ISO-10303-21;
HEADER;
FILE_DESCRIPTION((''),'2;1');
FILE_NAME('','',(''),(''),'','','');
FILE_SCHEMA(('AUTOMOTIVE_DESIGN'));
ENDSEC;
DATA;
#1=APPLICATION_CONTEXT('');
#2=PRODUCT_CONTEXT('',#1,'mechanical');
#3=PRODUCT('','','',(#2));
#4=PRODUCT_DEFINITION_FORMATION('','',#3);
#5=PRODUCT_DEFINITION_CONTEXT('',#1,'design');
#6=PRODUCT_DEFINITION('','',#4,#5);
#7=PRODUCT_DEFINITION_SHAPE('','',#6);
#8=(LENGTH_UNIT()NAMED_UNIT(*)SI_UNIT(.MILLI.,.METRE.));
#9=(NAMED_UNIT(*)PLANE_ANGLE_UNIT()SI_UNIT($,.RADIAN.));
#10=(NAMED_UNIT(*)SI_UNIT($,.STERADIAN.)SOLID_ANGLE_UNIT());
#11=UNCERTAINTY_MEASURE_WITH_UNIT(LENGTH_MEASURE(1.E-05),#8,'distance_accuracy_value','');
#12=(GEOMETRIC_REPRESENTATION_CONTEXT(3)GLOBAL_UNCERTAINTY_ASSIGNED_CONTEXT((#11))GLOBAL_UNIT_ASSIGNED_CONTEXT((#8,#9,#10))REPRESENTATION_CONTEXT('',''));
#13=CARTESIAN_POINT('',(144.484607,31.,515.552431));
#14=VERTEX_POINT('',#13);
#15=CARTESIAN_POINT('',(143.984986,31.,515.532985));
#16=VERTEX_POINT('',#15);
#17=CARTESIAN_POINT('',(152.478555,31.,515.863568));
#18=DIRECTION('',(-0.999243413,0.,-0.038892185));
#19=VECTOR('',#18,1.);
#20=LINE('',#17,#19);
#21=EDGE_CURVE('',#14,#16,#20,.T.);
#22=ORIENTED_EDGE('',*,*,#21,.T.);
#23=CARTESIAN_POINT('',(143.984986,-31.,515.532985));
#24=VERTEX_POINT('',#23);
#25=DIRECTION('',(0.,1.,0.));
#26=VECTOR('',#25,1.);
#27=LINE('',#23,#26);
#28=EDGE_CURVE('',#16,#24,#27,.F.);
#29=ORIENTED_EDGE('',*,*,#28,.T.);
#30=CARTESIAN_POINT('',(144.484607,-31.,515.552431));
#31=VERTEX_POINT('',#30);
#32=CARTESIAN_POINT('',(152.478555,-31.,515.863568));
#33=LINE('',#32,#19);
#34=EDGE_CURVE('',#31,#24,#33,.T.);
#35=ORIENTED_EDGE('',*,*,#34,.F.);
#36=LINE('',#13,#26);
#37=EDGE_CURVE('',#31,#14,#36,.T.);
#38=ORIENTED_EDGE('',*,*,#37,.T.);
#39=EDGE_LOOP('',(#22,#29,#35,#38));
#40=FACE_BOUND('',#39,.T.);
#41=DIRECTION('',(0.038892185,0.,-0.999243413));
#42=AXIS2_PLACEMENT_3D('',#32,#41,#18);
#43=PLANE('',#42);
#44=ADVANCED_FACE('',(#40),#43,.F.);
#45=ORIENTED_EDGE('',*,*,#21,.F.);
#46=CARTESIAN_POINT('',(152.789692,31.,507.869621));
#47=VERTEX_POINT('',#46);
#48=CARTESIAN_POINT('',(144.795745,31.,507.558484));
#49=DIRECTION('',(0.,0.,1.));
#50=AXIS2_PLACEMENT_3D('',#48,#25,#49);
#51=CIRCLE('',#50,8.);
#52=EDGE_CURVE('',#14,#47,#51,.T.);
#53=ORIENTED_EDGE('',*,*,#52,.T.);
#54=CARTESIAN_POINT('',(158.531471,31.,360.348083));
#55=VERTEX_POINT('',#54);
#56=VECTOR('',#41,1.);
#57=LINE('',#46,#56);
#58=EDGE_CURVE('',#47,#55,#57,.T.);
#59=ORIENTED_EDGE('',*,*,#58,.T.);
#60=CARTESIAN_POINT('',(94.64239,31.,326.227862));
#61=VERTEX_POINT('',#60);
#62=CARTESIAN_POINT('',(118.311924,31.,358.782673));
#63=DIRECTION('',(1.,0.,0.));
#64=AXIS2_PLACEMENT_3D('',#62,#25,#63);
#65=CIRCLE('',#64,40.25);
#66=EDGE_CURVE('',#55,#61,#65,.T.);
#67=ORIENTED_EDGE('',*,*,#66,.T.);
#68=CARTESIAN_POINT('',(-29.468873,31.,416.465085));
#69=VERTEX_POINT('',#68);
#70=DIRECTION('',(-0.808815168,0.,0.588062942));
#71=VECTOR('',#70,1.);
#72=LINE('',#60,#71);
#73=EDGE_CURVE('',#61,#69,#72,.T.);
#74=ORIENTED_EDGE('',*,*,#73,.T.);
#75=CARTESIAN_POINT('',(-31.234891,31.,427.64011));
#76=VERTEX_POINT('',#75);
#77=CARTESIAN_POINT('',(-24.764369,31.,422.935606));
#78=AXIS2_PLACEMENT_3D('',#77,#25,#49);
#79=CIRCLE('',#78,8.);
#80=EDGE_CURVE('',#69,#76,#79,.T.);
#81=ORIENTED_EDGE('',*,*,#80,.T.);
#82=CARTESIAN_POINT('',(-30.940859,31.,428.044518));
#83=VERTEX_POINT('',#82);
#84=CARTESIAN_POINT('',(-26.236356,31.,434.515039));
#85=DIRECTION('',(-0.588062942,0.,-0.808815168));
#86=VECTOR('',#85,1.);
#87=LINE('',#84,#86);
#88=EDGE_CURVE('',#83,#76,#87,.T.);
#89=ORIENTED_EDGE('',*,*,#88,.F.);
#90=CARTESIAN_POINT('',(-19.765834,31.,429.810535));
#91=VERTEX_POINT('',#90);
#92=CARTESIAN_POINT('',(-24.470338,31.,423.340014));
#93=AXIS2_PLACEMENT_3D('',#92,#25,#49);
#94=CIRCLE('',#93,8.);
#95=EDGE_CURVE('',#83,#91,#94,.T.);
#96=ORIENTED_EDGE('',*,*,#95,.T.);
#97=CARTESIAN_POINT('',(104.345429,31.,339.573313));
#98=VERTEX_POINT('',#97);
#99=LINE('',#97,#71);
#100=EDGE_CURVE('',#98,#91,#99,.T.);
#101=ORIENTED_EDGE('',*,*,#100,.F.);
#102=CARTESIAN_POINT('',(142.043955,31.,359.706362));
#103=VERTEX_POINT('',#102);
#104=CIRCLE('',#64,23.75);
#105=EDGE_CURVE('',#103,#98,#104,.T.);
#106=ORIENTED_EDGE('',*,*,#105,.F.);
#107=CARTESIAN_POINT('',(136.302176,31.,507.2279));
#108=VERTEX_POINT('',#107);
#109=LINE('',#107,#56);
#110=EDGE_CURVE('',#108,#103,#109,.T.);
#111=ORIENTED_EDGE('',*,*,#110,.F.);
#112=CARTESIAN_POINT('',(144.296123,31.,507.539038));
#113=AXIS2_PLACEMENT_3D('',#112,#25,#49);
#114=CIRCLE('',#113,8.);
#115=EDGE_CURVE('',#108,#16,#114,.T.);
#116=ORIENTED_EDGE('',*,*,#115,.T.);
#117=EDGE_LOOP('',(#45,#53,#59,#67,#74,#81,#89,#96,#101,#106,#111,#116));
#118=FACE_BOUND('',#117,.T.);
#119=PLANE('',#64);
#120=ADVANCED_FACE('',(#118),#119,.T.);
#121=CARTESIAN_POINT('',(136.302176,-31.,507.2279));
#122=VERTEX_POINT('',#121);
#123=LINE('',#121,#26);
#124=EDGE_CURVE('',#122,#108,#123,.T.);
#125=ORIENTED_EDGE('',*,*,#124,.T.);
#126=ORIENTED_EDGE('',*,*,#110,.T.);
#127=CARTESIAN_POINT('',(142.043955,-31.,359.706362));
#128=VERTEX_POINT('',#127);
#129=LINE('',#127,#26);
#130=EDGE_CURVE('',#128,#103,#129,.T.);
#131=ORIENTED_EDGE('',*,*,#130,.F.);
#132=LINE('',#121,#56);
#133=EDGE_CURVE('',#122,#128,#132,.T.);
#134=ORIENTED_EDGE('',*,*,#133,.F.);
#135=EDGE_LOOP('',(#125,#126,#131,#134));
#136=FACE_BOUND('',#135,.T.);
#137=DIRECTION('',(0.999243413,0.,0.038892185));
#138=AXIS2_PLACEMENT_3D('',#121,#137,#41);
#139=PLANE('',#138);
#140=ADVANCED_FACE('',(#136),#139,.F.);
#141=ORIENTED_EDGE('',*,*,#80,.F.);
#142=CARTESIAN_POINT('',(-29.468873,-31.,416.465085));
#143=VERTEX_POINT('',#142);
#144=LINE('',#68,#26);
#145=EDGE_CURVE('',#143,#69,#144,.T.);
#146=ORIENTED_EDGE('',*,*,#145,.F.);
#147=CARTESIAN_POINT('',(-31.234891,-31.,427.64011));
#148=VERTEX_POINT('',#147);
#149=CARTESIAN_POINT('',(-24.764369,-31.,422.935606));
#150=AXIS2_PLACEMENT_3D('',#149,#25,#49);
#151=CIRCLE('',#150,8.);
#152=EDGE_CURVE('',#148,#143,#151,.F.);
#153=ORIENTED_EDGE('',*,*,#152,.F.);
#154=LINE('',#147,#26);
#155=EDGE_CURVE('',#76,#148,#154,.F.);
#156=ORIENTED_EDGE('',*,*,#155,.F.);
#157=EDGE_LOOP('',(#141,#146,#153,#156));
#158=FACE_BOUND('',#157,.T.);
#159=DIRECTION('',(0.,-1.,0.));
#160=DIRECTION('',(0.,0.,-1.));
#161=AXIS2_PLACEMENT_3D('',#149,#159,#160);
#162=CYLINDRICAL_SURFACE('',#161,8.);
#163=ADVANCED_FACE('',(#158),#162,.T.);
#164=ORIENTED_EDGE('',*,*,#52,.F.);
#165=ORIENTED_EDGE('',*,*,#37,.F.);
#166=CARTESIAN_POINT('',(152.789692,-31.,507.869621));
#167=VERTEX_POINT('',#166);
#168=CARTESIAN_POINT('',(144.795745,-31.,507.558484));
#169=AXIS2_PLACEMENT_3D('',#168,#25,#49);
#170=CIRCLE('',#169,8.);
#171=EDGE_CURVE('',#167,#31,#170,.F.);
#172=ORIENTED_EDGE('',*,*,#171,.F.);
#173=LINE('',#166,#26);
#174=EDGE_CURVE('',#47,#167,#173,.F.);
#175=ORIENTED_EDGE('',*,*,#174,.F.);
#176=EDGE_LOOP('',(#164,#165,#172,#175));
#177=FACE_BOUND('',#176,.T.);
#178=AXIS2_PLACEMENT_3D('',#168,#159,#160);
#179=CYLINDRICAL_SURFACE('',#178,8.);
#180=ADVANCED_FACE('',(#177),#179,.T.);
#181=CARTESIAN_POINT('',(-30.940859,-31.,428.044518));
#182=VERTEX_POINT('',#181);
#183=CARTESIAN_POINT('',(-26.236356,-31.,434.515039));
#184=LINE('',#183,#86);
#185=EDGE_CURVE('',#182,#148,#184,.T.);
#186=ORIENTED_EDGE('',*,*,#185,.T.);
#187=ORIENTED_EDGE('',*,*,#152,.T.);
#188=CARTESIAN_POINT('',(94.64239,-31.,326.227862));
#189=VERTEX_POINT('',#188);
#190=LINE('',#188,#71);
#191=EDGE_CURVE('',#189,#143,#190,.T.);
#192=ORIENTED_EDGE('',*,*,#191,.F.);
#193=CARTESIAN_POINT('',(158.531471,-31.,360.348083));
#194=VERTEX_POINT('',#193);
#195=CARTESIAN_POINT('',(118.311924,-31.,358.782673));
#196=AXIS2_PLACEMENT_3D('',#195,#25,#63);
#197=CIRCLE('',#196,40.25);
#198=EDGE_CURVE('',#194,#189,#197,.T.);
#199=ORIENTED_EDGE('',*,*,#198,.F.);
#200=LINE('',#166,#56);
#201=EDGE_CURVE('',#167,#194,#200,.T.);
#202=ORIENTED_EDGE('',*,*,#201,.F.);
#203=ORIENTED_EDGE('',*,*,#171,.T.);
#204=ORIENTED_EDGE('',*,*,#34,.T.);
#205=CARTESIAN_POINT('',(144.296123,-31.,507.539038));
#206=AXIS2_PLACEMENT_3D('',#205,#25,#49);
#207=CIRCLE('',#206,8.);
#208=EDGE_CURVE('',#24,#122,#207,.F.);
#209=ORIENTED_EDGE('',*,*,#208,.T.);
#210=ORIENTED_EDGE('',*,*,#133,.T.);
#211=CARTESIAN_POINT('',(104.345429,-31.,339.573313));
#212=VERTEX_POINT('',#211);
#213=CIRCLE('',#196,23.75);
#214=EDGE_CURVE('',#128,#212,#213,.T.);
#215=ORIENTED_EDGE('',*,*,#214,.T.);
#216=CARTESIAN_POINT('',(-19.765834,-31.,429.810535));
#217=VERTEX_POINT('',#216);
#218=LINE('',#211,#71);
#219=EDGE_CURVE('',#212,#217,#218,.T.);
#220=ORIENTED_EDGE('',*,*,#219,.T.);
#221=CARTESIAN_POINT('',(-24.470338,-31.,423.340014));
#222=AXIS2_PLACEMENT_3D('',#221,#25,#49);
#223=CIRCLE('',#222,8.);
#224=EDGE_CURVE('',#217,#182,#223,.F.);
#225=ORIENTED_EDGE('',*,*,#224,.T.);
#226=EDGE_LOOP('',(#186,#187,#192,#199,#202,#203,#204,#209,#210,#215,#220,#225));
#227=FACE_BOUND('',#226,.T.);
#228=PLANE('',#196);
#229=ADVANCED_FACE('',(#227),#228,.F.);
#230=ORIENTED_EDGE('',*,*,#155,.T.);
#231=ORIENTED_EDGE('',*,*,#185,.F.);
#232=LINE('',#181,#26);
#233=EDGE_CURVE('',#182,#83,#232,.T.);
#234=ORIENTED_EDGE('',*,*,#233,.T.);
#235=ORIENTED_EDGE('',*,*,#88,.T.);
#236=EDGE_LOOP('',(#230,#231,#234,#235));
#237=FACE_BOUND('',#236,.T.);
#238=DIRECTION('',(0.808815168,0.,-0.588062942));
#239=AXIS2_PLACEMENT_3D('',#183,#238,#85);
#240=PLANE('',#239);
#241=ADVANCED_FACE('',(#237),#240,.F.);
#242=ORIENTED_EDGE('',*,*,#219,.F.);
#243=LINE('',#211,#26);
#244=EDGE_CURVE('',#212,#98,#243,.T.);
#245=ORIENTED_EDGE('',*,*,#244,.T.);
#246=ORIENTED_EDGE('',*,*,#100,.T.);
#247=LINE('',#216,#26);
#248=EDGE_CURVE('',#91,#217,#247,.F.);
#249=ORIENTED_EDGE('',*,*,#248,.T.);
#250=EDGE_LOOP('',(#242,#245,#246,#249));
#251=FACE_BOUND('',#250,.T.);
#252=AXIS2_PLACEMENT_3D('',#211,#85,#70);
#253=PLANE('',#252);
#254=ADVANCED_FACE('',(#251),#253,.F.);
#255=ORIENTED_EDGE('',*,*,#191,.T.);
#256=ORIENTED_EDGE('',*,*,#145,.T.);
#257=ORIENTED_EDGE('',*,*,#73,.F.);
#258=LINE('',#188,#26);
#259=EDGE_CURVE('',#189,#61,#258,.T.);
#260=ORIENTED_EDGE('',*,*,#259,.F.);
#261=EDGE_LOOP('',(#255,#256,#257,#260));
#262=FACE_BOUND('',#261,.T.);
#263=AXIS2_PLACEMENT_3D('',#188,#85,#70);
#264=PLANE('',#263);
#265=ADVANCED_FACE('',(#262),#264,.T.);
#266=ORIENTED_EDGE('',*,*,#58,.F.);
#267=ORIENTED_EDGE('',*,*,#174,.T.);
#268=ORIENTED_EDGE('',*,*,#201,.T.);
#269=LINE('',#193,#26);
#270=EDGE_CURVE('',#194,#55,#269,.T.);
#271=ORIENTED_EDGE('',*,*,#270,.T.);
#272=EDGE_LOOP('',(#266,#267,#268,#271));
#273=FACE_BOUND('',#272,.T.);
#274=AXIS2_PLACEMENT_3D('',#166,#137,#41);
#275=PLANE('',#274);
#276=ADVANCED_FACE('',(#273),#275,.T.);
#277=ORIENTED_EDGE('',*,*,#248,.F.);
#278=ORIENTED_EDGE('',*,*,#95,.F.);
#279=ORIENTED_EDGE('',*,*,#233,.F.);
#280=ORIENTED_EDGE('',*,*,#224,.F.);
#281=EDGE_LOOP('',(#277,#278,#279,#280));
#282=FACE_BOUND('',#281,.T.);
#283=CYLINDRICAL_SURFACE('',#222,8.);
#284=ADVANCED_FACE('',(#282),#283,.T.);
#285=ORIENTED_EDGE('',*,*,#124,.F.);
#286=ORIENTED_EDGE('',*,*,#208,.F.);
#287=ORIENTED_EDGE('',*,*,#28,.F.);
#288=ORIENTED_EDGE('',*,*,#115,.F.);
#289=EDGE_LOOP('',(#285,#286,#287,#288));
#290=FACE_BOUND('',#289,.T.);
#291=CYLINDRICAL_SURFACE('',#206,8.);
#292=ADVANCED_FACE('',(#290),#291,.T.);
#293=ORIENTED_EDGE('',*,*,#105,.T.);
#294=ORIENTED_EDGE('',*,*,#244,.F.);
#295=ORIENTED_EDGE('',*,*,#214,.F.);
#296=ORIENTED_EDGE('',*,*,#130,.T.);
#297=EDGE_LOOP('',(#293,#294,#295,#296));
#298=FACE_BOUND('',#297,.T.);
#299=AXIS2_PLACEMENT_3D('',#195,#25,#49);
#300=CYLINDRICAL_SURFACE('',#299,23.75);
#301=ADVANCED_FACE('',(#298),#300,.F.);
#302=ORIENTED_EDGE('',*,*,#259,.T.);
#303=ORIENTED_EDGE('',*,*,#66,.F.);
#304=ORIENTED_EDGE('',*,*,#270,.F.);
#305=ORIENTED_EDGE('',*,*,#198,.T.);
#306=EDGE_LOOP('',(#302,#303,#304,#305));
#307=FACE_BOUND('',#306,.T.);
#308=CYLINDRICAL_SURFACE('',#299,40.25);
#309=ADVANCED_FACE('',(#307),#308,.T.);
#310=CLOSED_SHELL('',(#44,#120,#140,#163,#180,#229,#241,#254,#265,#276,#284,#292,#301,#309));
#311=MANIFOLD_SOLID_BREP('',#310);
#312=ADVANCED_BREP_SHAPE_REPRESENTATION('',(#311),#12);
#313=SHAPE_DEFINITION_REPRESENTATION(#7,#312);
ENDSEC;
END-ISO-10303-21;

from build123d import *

# Parameters (mm, degrees)
EXTRUDE_THIN1_DEPTH = 31
FILLET1_R           = 8


with BuildPart() as part:
    # Sketch1 → Extrude-Thin1 (new, symmetric)
    with BuildSketch(Plane(origin=(0, 0, 0), x_dir=(1, 0, 0), z_dir=(0, 1, 0))):
        with BuildLine():
            Line((152.47855459256846, -515.8635684817917), (152.7896920748552, -507.8696211797939))
            Line((152.7896920748552, -507.8696211797939), (158.5314712170514, -360.34808328894457))
            ThreePointArc((158.5314712170514, -360.3480832889447), (137.27301850763482, -323.2785971562588), (94.64239044734069, -326.2278623062159))
            Line((94.64239044734076, -326.22786230621585), (-35.939394152340476, -421.1695886755354))
            Line((-35.939394152340476, -421.1695886755354), (-26.236355613015643, -434.5150389528538))
            Line((-26.236355613015643, -434.5150389528538), (104.3454289866656, -339.57331258353423))
            ThreePointArc((104.34542898666567, -339.5733125835342), (129.50014740733602, -337.8330629608887), (142.04395490668114, -359.70636223172806))
            Line((142.04395490668114, -359.7063622317282), (136.30217576448493, -507.2279001225775))
            Line((136.30217576448493, -507.2279001225775), (135.9910382821982, -515.2218474245752))
            Line((135.9910382821982, -515.2218474245752), (152.47855459256846, -515.8635684817917))
        make_face()
    extrude(amount=EXTRUDE_THIN1_DEPTH, both=True)

    # Fillet1
    fillet1_edges = [part.edges().sort_by_distance(p)[0] for p in [
        (152.47855459256846, 0, 515.8635684817917),
        (135.9910382821982, 0, 515.2218474245752),
        (-26.236355613015643, 0, 434.5150389528538),
        (-35.939394152340476, 0, 421.1695886755354),
    ]]
    fillet(fillet1_edges, radius=FILLET1_R)


solid = part.part
